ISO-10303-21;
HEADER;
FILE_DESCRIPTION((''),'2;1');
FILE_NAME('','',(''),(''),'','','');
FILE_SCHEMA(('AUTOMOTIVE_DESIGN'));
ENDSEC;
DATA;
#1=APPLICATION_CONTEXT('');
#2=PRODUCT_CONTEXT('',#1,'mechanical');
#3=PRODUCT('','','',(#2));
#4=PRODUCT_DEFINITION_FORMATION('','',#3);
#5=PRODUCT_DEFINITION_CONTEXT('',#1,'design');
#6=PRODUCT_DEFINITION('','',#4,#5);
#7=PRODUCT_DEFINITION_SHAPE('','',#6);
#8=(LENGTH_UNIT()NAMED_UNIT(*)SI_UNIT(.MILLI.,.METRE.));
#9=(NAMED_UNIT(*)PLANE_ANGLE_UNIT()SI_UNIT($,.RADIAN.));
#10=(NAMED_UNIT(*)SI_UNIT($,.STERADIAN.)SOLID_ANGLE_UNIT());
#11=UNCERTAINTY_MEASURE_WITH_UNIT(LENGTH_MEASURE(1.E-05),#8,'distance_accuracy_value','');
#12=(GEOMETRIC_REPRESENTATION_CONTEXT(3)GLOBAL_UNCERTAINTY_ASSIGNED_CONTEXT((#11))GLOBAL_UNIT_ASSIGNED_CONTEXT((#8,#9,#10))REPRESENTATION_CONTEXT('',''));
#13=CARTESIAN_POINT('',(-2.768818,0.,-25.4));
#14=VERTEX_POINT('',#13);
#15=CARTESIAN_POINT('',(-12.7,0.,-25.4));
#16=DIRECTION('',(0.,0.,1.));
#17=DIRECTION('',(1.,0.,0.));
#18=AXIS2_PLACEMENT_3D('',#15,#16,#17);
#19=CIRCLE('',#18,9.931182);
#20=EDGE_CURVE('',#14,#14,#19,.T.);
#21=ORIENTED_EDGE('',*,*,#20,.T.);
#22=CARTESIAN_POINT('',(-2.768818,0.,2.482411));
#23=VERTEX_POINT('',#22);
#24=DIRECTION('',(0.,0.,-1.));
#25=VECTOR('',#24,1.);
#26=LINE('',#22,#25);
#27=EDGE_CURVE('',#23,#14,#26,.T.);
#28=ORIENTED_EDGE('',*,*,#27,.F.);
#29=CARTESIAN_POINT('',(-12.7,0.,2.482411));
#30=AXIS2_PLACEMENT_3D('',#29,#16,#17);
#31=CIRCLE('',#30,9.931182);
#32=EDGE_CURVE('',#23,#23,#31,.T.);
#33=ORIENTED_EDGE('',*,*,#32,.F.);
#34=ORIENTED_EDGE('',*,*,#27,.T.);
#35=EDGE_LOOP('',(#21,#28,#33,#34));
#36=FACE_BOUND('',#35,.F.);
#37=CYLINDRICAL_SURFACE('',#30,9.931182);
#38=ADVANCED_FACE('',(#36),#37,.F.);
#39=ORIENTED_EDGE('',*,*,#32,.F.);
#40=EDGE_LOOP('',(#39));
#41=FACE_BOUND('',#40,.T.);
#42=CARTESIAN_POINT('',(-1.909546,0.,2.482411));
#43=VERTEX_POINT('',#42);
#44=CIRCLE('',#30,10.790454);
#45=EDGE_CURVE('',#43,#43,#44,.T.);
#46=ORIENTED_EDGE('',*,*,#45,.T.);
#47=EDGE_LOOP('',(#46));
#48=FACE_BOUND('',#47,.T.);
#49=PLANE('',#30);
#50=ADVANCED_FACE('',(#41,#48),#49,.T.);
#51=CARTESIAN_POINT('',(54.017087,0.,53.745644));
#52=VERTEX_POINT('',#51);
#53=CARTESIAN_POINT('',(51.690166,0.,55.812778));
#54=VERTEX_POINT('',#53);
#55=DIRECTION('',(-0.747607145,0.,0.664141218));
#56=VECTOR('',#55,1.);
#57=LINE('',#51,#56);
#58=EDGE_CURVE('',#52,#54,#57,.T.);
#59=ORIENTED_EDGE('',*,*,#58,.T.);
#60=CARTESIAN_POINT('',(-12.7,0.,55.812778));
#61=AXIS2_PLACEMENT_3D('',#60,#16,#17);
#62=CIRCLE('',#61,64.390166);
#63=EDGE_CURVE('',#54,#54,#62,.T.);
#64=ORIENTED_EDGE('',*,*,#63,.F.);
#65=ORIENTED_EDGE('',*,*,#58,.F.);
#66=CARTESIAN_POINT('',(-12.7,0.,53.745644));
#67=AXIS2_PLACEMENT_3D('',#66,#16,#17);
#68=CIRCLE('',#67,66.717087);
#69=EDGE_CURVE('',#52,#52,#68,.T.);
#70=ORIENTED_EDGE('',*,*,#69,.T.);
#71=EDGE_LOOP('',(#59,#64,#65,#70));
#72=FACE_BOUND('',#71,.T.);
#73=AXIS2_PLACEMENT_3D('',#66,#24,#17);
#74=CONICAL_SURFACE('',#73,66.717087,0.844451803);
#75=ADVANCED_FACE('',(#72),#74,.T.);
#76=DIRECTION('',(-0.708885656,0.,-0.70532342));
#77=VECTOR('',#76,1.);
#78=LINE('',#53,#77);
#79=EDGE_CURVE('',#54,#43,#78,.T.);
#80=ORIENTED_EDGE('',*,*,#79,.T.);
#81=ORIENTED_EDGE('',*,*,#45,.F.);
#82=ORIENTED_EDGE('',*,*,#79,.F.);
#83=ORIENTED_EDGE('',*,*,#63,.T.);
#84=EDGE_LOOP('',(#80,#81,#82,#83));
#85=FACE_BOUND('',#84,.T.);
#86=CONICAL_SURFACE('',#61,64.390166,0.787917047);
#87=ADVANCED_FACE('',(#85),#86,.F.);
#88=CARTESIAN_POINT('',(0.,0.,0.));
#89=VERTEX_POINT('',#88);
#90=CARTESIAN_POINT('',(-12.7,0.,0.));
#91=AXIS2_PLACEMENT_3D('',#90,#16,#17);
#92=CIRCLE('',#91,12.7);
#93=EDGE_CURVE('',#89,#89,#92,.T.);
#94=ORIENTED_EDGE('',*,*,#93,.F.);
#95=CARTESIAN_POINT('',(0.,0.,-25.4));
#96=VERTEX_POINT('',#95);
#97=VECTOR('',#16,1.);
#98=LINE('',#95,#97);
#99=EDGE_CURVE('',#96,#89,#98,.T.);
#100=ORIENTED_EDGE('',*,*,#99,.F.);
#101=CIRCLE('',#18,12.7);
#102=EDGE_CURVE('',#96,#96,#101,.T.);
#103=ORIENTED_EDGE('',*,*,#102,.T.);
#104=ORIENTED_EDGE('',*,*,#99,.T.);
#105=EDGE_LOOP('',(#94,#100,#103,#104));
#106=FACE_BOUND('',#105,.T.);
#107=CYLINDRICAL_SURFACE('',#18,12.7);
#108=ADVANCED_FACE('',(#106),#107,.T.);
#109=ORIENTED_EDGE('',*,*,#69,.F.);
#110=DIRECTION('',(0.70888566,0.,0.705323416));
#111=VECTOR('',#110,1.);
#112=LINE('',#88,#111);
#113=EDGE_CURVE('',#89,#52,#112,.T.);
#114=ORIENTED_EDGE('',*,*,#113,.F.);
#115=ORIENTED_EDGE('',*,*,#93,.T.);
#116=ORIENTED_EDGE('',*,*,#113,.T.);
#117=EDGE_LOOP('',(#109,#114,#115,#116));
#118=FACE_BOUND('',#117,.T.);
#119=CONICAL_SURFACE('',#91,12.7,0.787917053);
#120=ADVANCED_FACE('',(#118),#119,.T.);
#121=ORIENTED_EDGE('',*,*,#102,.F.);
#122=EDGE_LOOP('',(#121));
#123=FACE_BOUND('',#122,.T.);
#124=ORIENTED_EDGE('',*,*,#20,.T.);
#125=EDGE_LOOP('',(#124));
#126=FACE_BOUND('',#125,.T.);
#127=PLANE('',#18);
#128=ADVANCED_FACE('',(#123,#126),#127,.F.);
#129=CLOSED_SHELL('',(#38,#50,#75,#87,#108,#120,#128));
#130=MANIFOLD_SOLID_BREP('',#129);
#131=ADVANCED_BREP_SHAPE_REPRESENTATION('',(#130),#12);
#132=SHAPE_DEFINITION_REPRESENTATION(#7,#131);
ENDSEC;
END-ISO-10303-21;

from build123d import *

# Parameters (mm, degrees)
F2_R     = 9.931182
F3_DEPTH = 50.8


with BuildPart() as f1:
    # F0 (on Front) → F1 (revolve)
    with BuildSketch(Plane.XZ):
        Polygon((0, -25.4), (0, 0), (54.017087, 53.745644), (51.690166, 55.812778), (-1.909546, 2.482411), (-12.7, 2.482411), (-12.7, -25.4), align=None)
    revolve(axis=Axis((-12.7, 0, -11.458795), (0, 0, 1)))

    # F2 (on face) → F3 (cut)
    with BuildSketch(Plane.XY.offset(2.482411)):
        with Locations((-12.7, 0)):
            Circle(F2_R)
    extrude(amount=-F3_DEPTH, mode=Mode.SUBTRACT)


solid = f1.part
